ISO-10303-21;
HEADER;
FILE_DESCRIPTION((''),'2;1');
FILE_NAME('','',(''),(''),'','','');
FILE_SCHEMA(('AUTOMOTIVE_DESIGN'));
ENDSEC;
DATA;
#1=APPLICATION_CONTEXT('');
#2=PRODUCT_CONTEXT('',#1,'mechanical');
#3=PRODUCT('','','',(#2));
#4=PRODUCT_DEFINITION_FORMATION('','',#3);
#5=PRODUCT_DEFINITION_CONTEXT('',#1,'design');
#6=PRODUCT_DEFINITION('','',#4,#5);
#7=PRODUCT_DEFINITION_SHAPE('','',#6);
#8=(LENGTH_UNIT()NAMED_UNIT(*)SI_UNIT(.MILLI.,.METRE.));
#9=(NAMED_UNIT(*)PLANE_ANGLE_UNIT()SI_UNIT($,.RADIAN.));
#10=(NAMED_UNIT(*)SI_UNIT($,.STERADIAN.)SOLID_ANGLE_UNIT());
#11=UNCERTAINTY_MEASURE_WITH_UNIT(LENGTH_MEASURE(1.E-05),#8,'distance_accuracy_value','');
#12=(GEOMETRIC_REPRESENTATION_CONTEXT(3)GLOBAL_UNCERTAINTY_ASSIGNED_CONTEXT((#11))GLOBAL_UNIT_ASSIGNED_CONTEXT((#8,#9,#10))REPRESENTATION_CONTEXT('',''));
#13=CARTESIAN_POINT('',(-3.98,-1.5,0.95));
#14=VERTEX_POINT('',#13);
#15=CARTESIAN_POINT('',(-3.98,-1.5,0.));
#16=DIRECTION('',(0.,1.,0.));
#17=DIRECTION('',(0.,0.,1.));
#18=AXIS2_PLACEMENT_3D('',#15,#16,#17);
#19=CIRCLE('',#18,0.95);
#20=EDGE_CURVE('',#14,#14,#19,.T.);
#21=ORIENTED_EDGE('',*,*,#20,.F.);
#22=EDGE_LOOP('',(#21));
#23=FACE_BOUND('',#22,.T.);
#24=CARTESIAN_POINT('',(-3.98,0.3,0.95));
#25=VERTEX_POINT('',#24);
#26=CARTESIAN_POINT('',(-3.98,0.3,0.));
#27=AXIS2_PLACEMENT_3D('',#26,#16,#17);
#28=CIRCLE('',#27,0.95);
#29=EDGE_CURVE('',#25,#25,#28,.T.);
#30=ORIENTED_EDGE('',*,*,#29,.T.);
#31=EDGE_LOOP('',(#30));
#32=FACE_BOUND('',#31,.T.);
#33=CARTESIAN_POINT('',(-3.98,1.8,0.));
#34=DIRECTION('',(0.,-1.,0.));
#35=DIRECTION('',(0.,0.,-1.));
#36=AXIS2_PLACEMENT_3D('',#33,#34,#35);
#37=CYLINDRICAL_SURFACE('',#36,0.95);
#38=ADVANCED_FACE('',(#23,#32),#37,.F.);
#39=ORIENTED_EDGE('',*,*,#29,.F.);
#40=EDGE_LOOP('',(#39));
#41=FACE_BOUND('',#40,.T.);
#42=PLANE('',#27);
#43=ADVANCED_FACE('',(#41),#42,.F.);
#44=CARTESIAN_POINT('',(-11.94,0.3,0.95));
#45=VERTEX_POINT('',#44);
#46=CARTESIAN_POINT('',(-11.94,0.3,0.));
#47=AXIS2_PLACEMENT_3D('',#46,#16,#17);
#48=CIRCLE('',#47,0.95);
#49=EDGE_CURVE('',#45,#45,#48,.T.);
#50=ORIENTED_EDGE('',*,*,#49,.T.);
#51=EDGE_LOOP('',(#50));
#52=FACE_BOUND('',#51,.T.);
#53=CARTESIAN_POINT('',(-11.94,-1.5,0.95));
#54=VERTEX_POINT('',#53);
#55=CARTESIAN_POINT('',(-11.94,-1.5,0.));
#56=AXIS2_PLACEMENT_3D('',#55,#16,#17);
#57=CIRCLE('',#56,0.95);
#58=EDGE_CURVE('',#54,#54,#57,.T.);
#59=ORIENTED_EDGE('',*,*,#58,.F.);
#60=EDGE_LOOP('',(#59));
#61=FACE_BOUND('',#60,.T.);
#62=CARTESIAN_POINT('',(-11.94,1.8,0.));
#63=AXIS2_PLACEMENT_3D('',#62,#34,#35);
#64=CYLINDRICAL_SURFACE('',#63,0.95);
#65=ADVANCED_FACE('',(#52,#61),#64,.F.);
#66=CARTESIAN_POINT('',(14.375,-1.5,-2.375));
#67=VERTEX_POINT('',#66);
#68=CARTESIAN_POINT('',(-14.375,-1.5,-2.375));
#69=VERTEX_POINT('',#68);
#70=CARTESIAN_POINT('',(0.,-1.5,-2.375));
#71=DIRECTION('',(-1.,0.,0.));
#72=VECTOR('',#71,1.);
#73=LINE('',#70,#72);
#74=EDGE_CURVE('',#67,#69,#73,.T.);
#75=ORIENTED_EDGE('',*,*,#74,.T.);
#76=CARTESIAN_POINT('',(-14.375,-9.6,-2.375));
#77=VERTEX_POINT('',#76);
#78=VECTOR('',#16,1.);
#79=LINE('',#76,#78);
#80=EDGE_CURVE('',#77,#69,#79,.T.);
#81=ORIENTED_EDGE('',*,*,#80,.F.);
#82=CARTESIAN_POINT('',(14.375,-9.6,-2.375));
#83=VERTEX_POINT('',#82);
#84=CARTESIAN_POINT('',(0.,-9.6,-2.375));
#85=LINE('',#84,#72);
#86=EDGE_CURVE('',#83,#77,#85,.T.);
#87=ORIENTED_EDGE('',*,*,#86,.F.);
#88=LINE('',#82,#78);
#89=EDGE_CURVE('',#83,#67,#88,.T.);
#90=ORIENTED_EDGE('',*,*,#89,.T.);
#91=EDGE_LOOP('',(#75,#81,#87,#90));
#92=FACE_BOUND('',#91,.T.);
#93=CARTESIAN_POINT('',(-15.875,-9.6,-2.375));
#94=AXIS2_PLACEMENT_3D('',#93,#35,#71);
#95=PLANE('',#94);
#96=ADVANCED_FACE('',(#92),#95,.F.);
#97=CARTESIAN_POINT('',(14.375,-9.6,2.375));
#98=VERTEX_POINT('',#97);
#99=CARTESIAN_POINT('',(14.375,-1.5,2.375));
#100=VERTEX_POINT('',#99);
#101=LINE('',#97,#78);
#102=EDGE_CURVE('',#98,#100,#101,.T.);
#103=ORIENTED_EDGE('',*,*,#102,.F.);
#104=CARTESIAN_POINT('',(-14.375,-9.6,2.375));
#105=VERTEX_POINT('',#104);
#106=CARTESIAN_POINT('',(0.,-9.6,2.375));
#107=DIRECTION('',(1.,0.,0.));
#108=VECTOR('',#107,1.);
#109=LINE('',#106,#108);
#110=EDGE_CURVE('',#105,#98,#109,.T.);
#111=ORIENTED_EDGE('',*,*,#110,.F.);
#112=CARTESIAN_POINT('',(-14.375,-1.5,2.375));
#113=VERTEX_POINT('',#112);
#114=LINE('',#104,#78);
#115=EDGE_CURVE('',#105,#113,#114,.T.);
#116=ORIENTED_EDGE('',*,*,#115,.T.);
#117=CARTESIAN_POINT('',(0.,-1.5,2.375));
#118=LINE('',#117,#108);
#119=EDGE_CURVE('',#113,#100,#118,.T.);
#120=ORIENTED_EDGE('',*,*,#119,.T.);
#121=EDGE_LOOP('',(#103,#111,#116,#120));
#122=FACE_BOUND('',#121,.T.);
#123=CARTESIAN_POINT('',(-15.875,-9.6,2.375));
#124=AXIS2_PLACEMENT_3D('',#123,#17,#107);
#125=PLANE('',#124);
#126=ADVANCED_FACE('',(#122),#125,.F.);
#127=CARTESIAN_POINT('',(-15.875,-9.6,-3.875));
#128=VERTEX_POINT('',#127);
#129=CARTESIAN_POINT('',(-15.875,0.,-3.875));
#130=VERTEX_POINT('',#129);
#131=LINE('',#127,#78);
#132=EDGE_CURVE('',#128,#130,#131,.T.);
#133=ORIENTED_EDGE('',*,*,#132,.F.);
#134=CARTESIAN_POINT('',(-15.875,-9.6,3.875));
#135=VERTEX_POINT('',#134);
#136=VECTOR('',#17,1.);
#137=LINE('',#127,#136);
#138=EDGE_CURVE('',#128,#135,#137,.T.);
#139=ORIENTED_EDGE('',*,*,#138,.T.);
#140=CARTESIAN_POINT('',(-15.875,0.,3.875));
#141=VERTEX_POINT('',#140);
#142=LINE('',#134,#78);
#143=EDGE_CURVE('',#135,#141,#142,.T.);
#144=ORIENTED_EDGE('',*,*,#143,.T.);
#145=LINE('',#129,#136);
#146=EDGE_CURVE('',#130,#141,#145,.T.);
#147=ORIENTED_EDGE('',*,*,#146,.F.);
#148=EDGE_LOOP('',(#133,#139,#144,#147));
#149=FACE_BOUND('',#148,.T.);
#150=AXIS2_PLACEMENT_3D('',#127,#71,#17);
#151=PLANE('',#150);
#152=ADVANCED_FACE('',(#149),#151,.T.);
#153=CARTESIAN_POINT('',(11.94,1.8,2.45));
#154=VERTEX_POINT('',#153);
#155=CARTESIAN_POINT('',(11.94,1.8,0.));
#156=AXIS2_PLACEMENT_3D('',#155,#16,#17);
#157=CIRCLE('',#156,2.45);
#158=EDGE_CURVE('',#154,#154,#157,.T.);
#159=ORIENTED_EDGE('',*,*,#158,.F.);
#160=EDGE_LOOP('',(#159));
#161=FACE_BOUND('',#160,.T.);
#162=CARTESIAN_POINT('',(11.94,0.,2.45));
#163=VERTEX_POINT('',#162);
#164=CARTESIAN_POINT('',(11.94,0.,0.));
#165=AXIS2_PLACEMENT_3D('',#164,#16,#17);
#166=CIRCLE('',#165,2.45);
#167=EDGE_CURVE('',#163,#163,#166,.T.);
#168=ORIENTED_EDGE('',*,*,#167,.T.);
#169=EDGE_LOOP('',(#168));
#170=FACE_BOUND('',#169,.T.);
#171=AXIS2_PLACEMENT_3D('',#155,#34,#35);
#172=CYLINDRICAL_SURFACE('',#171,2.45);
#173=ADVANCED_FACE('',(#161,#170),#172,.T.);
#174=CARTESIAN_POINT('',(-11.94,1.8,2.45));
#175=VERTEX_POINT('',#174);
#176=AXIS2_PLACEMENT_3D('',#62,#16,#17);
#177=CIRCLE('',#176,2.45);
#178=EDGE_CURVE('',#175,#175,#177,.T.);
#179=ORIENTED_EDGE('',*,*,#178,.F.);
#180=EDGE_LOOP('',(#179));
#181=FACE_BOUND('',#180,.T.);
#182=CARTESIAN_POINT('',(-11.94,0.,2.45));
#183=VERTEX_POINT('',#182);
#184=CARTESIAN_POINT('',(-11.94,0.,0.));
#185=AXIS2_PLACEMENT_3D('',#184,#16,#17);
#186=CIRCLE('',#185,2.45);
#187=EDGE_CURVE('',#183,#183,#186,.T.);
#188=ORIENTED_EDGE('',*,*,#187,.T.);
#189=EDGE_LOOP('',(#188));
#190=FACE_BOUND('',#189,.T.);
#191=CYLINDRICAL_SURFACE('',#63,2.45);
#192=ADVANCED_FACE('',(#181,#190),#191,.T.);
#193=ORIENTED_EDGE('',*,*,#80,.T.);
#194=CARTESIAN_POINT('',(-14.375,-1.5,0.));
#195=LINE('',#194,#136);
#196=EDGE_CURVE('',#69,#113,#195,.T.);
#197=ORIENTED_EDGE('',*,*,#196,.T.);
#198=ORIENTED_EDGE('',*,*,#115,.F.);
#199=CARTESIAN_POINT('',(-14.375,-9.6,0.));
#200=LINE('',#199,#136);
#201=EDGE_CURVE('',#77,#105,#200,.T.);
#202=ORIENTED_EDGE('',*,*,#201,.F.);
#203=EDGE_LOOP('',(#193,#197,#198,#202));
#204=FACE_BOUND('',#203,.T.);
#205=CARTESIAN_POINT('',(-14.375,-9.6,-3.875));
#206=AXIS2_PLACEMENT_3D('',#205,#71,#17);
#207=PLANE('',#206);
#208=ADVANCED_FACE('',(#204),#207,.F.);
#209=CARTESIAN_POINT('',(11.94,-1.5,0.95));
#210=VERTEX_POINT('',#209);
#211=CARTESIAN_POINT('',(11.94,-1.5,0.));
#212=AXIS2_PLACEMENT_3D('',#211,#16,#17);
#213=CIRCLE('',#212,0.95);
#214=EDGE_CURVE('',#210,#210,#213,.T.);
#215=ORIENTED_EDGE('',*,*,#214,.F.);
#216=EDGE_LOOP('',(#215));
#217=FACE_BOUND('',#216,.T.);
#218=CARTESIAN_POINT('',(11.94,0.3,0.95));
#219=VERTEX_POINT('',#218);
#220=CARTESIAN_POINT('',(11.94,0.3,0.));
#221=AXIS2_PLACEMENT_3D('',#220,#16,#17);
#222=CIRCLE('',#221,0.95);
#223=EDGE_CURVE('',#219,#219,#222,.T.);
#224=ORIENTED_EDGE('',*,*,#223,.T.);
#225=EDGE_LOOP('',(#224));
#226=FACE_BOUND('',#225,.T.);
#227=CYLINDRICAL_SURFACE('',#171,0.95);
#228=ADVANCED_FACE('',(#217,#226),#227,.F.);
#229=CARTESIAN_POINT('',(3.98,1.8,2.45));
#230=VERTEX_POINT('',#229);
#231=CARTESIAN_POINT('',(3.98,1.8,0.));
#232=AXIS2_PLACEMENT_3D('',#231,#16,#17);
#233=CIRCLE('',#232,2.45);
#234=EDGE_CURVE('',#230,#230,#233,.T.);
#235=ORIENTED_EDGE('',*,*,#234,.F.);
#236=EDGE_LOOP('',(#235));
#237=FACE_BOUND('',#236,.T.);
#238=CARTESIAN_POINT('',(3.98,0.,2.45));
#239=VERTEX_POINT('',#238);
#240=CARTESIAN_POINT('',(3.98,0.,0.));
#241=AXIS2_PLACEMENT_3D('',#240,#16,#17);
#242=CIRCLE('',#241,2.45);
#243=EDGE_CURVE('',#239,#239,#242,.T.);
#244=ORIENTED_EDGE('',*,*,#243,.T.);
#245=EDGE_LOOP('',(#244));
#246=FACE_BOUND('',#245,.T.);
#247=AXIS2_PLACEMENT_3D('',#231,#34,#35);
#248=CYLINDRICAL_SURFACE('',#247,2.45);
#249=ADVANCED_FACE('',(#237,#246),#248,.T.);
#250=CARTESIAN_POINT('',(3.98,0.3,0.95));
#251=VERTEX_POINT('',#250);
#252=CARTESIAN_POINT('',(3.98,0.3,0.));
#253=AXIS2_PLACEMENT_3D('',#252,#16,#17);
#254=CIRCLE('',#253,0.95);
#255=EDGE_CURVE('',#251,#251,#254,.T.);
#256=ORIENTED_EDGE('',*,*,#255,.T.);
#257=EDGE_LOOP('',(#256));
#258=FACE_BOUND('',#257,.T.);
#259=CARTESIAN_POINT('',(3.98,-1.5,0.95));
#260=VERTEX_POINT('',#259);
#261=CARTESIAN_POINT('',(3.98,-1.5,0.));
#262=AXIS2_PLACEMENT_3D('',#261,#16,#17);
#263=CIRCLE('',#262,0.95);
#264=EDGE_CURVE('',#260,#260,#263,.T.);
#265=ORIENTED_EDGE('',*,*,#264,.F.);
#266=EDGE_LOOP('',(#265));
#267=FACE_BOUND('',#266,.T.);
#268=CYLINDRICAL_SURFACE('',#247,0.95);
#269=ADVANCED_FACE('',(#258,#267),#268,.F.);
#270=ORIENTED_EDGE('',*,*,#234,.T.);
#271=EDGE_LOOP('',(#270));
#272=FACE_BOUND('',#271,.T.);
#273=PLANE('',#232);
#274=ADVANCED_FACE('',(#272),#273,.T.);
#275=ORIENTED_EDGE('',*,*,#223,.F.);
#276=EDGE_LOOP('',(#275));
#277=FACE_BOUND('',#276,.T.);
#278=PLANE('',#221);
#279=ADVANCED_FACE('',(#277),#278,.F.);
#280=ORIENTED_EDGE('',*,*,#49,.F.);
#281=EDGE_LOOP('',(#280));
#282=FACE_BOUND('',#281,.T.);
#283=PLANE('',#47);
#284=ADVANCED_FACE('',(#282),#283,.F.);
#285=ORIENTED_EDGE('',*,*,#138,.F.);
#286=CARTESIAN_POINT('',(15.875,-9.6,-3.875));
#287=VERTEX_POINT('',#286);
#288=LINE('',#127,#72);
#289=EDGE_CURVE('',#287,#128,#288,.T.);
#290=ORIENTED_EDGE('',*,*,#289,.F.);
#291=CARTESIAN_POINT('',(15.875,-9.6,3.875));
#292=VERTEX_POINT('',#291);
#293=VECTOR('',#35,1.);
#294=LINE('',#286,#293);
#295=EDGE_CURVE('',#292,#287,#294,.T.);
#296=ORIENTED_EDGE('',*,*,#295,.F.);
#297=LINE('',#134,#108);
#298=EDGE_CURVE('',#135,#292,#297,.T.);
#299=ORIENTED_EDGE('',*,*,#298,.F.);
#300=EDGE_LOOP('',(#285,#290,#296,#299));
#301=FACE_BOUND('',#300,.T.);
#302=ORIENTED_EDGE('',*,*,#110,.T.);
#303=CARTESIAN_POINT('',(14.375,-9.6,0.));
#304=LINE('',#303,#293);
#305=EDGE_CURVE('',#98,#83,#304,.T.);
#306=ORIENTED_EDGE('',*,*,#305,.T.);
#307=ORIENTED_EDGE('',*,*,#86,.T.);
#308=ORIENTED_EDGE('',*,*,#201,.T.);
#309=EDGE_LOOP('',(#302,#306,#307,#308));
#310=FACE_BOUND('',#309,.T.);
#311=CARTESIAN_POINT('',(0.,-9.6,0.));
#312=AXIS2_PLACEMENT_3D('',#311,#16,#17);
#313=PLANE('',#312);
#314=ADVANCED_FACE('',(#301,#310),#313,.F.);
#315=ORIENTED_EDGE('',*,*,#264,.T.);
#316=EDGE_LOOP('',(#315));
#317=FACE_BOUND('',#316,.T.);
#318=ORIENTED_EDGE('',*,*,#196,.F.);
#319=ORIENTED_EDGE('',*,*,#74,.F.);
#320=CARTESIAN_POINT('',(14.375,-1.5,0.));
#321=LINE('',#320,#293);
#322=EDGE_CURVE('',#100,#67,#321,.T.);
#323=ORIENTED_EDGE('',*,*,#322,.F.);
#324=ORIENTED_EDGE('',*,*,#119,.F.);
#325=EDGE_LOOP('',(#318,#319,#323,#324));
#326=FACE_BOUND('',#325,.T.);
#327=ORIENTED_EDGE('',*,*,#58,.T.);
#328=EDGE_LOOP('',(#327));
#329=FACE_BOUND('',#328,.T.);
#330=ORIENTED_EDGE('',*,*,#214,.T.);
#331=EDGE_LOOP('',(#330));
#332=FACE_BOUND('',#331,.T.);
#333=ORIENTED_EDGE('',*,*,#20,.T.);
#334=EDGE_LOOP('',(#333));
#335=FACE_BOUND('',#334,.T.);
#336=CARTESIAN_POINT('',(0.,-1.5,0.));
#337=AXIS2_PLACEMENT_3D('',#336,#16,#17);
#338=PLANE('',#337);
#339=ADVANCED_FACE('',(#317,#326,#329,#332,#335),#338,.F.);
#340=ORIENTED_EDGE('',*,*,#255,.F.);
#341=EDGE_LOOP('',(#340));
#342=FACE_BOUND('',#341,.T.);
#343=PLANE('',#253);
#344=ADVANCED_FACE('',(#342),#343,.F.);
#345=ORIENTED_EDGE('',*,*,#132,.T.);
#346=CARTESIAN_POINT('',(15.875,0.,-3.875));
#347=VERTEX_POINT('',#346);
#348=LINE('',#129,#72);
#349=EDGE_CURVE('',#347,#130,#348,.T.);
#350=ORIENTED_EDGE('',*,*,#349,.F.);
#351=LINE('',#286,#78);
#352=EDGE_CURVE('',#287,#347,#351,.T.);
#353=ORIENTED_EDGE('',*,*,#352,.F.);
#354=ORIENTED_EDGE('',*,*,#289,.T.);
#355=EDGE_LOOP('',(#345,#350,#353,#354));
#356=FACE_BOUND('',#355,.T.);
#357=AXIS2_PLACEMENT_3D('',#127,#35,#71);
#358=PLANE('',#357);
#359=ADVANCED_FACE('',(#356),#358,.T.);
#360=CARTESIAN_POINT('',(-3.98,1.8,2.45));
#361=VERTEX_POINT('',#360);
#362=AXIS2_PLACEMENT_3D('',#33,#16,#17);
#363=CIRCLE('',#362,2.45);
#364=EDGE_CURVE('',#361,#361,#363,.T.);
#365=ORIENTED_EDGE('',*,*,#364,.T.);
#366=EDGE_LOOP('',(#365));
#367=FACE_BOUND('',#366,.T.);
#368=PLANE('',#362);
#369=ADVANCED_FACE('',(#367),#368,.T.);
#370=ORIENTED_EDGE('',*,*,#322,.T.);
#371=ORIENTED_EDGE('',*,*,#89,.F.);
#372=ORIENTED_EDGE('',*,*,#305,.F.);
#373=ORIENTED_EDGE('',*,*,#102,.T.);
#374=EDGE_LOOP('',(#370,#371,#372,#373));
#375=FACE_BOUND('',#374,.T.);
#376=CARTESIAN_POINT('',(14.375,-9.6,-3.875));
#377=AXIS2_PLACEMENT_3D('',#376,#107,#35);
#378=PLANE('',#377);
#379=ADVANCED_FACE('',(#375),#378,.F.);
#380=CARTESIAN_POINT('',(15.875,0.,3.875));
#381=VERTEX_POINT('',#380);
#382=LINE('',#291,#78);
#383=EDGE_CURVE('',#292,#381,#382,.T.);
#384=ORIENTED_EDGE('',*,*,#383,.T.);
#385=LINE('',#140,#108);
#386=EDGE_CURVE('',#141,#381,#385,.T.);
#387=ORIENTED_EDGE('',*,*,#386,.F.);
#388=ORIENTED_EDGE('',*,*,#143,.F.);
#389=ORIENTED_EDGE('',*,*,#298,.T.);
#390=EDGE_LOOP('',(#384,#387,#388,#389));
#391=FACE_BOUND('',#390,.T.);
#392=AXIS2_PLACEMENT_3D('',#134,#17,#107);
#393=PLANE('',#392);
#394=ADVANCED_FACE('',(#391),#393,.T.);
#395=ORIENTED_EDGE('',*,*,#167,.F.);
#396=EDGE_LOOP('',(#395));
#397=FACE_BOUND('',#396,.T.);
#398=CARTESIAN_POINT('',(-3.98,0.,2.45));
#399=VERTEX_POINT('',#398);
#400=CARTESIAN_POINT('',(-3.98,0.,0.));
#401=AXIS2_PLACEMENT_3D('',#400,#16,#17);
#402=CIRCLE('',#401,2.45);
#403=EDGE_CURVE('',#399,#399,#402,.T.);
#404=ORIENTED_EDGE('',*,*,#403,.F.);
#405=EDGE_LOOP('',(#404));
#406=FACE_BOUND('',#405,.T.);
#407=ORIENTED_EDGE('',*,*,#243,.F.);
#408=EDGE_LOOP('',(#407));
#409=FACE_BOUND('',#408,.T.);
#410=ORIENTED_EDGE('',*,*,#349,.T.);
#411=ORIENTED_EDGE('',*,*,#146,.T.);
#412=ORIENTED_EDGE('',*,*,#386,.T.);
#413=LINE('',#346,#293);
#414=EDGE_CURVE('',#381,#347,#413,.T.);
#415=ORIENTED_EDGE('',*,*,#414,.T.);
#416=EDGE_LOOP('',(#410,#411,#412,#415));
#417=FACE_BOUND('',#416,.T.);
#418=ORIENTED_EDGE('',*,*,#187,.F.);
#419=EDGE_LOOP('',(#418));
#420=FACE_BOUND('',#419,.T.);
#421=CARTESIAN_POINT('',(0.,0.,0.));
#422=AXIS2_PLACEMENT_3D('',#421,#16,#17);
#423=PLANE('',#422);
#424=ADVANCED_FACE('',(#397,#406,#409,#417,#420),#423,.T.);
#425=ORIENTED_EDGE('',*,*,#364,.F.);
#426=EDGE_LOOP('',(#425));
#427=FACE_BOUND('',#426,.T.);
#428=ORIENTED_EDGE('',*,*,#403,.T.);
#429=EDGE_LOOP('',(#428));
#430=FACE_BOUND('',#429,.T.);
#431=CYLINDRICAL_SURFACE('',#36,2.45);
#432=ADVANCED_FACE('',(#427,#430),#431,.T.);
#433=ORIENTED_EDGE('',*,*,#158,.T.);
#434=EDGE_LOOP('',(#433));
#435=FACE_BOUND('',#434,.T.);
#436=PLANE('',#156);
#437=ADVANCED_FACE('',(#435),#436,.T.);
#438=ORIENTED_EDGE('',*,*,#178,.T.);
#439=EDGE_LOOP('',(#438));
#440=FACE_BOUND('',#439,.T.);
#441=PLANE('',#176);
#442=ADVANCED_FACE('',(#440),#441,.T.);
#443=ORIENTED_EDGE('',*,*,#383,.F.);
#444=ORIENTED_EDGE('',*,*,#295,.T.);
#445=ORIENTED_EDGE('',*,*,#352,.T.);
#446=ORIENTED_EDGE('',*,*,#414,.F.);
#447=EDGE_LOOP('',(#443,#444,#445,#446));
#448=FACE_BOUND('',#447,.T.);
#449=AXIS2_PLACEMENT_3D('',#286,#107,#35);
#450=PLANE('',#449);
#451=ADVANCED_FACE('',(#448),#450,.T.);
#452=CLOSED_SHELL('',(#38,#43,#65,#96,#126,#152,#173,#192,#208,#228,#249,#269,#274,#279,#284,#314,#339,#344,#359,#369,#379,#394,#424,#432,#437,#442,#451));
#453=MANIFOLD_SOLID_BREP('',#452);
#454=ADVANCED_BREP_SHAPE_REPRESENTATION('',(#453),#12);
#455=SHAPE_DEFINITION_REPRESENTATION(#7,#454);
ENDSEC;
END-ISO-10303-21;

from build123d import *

# Parameters (mm, degrees)
SKETCH1_W           = 31.75
SKETCH1_H           = 7.75
BOSS_EXTRUDE1_DEPTH = 9.6
SKETCH2_R           = 2.45
BOSS_EXTRUDE2_DEPTH = 1.8
SHELL1_T            = -1.5


with BuildPart() as part:
    # Sketch1 → Boss-Extrude1 (new body)
    with BuildSketch(Plane(origin=(0, 0, 0), x_dir=(1, 0, 0), z_dir=(0, 1, 0))):
        Rectangle(SKETCH1_W, SKETCH1_H)
    extrude(amount=-BOSS_EXTRUDE1_DEPTH)

    # Sketch2 → Boss-Extrude2 (add)
    with BuildSketch(Plane(origin=(0, 0, 0), x_dir=(1, 0, 0), z_dir=(0, 1, 0))):
        with Locations(Location((-11.94, 0, 0), (0, 0, 270))):
            Circle(SKETCH2_R)
        with Locations(Location((-3.98, 0, 0), (0, 0, 270))):
            Circle(SKETCH2_R)
        with Locations(Location((3.98, 0, 0), (0, 0, 270))):
            Circle(SKETCH2_R)
        with Locations(Location((11.94, 0, 0), (0, 0, 270))):
            Circle(SKETCH2_R)
    extrude(amount=BOSS_EXTRUDE2_DEPTH)

    # Shell1
    shell1_openings = [part.faces().sort_by_distance(p)[0] for p in [
        (0, -9.6, 0),
    ]]
    offset(amount=SHELL1_T, openings=shell1_openings, kind=Kind.INTERSECTION)


solid = part.part
